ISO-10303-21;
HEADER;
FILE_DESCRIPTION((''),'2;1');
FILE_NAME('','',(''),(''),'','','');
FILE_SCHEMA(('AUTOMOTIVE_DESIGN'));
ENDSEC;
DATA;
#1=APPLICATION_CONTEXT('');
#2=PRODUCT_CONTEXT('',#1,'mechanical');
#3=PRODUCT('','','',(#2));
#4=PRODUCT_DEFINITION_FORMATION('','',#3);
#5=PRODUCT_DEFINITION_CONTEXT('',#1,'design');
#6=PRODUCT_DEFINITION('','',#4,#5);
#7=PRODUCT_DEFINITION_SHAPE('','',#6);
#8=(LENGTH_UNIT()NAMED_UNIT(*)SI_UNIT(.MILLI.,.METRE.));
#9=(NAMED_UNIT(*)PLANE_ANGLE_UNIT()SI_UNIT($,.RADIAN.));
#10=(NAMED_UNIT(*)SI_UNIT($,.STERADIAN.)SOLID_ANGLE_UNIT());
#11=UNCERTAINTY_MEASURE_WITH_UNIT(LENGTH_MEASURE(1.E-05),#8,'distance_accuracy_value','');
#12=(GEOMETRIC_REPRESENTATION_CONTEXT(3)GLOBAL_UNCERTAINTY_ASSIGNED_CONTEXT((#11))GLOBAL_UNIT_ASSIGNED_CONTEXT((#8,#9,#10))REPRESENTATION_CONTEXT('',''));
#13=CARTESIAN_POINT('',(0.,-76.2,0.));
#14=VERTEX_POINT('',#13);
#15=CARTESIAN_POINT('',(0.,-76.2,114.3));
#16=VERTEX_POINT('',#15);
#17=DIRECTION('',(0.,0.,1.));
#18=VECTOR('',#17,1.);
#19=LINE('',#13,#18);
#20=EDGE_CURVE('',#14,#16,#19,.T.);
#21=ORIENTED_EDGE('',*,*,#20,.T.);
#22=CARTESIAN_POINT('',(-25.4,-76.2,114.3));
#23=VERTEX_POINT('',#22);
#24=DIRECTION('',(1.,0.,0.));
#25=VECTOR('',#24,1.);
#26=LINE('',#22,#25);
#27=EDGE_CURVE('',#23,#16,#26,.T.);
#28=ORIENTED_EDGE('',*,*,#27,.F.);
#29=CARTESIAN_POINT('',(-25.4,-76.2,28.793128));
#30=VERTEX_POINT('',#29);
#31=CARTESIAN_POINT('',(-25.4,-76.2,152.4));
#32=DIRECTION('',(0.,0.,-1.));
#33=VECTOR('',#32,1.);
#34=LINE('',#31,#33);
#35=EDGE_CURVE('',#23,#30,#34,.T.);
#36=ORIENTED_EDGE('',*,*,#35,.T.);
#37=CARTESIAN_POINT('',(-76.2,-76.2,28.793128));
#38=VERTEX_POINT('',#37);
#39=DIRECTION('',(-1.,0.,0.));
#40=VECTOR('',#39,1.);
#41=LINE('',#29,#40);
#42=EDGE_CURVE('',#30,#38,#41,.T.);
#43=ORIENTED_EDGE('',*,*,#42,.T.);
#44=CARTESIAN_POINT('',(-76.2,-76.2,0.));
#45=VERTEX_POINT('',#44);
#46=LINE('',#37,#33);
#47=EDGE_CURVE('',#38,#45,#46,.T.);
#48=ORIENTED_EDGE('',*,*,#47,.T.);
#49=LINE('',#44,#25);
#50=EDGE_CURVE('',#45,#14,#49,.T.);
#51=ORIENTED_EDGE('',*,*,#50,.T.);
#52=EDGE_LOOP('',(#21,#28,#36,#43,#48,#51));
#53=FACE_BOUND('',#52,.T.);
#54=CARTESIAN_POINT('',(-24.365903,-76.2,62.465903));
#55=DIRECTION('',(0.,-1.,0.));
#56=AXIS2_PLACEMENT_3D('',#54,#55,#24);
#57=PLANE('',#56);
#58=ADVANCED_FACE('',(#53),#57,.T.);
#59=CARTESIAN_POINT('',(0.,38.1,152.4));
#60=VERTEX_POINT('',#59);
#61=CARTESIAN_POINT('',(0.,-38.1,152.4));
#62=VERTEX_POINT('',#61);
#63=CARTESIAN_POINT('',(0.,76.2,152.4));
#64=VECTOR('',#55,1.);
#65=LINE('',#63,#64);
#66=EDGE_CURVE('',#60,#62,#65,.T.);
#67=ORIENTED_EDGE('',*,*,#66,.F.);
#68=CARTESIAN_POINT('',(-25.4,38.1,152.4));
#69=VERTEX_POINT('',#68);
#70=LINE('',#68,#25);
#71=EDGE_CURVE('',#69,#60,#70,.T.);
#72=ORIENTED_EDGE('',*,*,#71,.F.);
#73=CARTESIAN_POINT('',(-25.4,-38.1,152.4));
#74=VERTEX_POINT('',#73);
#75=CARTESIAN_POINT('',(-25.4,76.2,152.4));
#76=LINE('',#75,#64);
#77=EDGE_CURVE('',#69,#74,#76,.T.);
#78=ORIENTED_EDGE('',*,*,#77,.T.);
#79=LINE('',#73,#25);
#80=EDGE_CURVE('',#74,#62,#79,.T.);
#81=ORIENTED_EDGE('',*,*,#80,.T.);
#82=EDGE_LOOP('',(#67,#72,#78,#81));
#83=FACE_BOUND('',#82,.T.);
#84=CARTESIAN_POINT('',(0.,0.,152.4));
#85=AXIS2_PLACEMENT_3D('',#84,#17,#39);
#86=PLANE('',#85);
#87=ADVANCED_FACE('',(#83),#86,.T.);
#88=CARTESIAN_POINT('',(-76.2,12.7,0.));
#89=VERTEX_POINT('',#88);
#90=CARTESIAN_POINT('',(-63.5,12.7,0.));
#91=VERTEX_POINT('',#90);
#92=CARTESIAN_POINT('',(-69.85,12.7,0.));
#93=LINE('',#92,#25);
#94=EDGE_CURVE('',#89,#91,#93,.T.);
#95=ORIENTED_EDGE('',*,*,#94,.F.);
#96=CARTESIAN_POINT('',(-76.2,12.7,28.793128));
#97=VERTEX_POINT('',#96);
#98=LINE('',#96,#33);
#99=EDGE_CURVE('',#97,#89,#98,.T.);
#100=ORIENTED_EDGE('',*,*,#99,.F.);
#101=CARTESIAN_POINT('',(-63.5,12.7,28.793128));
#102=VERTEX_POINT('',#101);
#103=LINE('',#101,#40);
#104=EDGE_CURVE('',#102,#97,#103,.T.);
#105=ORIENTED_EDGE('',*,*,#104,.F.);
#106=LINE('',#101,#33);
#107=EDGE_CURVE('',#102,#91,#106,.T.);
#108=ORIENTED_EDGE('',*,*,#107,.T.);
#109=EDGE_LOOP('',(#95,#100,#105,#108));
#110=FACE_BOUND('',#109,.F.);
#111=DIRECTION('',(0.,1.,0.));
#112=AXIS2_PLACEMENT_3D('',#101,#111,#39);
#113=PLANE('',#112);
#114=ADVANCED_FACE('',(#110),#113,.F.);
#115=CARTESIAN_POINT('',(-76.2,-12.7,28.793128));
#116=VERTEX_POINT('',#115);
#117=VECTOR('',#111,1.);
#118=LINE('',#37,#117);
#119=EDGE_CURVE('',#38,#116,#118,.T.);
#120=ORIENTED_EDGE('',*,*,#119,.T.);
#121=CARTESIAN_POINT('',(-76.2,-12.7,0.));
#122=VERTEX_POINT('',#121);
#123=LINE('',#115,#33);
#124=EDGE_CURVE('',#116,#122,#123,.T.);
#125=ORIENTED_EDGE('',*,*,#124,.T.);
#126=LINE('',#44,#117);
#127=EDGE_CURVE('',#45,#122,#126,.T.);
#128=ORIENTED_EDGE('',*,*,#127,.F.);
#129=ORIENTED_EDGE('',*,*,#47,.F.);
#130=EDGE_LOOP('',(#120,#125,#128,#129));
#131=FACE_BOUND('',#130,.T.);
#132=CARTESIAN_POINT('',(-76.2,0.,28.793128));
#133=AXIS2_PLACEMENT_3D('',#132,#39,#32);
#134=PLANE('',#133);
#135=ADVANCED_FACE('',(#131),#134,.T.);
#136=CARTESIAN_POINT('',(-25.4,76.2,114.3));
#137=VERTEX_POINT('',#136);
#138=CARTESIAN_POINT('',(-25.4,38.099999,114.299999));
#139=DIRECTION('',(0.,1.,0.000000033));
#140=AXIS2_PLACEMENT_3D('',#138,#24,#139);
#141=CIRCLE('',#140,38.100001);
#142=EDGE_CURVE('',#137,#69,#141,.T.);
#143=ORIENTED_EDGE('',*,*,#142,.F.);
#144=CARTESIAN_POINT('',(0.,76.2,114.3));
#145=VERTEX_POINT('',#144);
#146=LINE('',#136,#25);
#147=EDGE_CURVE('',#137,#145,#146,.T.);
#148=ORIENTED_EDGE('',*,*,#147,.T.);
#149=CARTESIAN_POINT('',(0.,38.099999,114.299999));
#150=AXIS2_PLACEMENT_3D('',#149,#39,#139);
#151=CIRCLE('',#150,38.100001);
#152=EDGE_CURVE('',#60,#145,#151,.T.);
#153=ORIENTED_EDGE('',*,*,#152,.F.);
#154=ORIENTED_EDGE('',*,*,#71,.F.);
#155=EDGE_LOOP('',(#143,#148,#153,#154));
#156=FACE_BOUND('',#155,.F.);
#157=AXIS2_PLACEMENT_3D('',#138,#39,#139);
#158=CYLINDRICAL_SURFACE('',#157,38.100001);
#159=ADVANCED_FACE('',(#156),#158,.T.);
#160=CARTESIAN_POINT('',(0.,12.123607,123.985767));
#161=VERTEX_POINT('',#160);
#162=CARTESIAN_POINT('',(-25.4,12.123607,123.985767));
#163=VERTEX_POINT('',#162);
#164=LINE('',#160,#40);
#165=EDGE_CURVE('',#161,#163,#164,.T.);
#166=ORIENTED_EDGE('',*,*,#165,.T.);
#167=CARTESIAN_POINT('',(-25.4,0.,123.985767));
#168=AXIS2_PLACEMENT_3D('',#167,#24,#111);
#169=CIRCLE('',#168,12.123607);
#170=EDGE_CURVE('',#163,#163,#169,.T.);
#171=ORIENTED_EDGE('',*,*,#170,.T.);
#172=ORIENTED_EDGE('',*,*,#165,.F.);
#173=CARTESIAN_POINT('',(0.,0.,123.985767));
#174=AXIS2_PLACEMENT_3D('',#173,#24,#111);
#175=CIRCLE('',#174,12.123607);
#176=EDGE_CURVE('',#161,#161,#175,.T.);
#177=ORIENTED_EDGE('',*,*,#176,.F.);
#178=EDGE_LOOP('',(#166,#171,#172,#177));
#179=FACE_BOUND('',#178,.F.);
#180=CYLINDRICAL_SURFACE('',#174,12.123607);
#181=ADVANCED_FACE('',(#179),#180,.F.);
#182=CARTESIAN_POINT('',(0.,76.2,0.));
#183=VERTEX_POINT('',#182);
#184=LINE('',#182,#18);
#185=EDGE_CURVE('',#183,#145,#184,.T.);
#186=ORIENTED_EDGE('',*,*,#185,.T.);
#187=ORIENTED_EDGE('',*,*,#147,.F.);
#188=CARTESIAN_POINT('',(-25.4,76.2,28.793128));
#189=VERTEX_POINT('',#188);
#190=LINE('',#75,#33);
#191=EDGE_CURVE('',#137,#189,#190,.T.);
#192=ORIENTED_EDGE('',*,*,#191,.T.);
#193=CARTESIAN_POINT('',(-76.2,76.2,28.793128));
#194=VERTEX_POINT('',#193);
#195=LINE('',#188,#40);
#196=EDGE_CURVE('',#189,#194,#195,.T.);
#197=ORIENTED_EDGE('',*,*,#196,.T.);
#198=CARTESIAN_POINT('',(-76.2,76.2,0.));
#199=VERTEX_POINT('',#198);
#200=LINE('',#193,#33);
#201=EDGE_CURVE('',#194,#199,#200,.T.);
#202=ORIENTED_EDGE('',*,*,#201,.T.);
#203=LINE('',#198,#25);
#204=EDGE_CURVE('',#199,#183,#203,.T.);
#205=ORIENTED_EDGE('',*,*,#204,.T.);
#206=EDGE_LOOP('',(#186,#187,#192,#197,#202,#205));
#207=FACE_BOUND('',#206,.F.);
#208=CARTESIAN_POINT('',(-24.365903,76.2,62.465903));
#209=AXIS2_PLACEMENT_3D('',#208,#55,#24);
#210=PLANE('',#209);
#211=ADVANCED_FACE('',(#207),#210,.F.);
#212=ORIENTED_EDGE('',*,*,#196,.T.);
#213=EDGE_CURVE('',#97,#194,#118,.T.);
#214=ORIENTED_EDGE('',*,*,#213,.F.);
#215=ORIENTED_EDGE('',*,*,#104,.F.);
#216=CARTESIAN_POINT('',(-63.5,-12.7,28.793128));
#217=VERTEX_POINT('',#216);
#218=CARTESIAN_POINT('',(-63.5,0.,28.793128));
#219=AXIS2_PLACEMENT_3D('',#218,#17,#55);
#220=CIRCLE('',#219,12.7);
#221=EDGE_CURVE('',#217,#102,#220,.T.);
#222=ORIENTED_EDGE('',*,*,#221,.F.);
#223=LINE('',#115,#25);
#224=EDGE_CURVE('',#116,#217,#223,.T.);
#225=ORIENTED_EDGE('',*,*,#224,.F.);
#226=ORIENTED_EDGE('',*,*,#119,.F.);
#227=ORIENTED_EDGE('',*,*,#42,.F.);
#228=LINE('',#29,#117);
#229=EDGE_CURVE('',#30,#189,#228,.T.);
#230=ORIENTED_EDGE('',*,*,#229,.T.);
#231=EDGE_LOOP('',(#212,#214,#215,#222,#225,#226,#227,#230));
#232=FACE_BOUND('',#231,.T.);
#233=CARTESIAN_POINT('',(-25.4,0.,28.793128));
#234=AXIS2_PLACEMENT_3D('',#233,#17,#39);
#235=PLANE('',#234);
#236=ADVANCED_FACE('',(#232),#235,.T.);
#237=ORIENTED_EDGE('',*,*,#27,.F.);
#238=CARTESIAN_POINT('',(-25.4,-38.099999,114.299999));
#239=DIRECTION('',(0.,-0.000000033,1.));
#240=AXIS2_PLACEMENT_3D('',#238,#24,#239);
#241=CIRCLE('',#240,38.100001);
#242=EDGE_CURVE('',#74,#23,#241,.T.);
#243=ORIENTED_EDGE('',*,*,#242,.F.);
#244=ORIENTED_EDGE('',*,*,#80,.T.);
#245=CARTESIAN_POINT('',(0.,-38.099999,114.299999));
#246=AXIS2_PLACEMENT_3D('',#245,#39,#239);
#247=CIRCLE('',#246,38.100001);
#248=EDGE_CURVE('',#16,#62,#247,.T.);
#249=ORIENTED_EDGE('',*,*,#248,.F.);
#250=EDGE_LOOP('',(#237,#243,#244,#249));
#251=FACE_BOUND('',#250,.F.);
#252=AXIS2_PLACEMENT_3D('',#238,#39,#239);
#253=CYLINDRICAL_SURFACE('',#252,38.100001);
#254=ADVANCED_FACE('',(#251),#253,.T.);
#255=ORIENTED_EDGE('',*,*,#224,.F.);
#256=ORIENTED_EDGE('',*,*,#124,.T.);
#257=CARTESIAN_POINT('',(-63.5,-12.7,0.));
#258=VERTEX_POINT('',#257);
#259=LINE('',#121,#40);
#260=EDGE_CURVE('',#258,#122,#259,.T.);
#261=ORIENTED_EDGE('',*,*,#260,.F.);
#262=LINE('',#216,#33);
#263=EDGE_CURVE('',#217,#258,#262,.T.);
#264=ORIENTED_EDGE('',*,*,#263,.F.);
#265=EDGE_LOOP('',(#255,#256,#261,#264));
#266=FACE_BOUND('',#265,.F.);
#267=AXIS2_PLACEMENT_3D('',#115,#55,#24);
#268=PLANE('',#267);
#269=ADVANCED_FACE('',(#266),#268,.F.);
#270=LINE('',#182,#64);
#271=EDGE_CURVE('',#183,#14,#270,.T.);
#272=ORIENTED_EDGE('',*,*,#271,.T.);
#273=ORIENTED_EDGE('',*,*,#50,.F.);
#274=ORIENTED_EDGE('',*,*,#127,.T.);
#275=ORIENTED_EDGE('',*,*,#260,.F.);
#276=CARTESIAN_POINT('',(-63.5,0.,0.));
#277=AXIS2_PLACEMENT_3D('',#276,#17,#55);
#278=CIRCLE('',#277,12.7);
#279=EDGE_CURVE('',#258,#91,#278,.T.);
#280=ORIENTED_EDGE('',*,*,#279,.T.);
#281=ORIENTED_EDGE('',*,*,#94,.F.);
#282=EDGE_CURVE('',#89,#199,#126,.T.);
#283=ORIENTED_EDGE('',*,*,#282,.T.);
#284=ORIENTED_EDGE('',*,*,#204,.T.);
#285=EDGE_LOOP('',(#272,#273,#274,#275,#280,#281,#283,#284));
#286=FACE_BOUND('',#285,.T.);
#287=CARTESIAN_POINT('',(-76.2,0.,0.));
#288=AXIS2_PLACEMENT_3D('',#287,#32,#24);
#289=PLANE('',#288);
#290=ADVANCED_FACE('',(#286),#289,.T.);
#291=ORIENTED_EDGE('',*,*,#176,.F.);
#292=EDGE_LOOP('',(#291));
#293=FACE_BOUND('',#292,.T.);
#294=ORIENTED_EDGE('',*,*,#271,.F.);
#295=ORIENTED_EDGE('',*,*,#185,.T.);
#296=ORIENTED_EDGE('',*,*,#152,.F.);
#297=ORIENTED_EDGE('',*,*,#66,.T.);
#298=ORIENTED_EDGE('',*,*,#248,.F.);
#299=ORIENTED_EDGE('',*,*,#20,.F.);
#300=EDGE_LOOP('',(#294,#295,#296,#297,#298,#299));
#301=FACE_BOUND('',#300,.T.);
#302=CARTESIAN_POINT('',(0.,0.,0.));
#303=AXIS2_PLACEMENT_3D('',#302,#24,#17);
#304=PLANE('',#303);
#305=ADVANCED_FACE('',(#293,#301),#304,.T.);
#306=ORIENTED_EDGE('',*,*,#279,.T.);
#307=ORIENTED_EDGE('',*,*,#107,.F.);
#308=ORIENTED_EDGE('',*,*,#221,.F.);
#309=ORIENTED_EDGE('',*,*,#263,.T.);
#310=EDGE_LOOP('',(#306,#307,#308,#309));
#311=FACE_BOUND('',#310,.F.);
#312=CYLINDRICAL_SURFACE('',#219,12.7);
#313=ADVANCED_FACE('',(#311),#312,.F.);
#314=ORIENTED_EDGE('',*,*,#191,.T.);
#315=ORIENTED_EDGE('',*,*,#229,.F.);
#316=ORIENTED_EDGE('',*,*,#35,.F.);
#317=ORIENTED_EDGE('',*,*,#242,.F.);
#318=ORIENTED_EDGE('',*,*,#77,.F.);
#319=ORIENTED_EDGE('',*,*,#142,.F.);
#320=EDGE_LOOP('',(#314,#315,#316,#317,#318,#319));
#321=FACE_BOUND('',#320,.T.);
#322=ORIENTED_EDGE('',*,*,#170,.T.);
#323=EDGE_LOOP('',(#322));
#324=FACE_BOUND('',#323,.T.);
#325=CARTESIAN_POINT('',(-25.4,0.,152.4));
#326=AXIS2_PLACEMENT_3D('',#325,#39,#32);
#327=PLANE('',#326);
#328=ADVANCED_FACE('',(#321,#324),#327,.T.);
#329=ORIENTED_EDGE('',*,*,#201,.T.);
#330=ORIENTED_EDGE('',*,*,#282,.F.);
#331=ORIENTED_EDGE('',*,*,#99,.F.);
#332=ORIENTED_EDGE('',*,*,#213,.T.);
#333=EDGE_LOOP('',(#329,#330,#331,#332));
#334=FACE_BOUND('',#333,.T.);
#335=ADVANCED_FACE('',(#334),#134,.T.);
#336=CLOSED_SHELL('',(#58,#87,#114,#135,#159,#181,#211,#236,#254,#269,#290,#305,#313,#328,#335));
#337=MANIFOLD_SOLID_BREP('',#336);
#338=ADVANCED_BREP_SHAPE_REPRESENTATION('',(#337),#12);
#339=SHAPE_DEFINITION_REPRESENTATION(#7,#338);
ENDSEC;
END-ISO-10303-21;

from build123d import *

# Parameters (mm, degrees)
F1_DEPTH  = 76.2
F1_FACE_W = 152.4
F1_FACE_H = 152.4
F2_DEPTH  = 25.4
F3_R      = 12.123607
F4_DEPTH  = 76.201
F6_DEPTH  = 28.794128
F8_DEPTH  = 25.401


with BuildPart() as f1:
    # F0 (on Front) → F1 (new body, symmetric)
    with BuildSketch(Plane.XZ):
        Polygon((-76.2, 0), (0, 0), (0, 152.4), (-25.4, 152.4), (-25.4, 28.793128), (-76.2, 28.793128), align=None)
    extrude(amount=F1_DEPTH, both=True)

    # F1_face (on face) → F2 (cut)
    with BuildSketch(Plane(origin=(0, 0, 76.2), x_dir=(0, 1, 0), z_dir=(1, 0, 0))):
        Rectangle(F1_FACE_W, F1_FACE_H)
    extrude(amount=F2_DEPTH, mode=Mode.SUBTRACT)

    # F3 (on face) → F4 (cut, through all)
    with BuildSketch(Plane.YZ):
        with Locations((0, 123.985767)):
            Circle(F3_R)
    extrude(amount=-F4_DEPTH, mode=Mode.SUBTRACT)

    # F5 (on face) → F6 (cut, through all)
    with BuildSketch(Plane.XY.offset(28.793128)):
        with BuildLine():
            Line((-63.5, 12.7), (-76.2, 12.7))
            Line((-76.2, 12.7), (-76.2, -12.7))
            Line((-76.2, -12.7), (-63.5, -12.7))
            ThreePointArc((-63.5, -12.7), (-50.8, 0), (-63.5, 12.7))
        make_face()
    extrude(amount=-F6_DEPTH, mode=Mode.SUBTRACT)

    # F7 (on face) → F8 (cut, through all)
    with BuildSketch(Plane(origin=(-25.4, 0, 0), x_dir=(0, -1, 0), z_dir=(-1, 0, 0))):
        with BuildLine():
            ThreePointArc((38.1, 152.4), (65.040768, 141.240768), (76.2, 114.3))
            Line((76.2, 114.3), (76.2, 152.4))
            Line((76.2, 152.4), (38.1, 152.4))
        make_face()
        with BuildLine():
            ThreePointArc((-76.2, 114.3), (-65.040768, 141.240768), (-38.1, 152.4))
            Line((-38.1, 152.4), (-76.2, 152.4))
            Line((-76.2, 152.4), (-76.2, 114.3))
        make_face()
    extrude(amount=-F8_DEPTH, mode=Mode.SUBTRACT)


solid = f1.part
